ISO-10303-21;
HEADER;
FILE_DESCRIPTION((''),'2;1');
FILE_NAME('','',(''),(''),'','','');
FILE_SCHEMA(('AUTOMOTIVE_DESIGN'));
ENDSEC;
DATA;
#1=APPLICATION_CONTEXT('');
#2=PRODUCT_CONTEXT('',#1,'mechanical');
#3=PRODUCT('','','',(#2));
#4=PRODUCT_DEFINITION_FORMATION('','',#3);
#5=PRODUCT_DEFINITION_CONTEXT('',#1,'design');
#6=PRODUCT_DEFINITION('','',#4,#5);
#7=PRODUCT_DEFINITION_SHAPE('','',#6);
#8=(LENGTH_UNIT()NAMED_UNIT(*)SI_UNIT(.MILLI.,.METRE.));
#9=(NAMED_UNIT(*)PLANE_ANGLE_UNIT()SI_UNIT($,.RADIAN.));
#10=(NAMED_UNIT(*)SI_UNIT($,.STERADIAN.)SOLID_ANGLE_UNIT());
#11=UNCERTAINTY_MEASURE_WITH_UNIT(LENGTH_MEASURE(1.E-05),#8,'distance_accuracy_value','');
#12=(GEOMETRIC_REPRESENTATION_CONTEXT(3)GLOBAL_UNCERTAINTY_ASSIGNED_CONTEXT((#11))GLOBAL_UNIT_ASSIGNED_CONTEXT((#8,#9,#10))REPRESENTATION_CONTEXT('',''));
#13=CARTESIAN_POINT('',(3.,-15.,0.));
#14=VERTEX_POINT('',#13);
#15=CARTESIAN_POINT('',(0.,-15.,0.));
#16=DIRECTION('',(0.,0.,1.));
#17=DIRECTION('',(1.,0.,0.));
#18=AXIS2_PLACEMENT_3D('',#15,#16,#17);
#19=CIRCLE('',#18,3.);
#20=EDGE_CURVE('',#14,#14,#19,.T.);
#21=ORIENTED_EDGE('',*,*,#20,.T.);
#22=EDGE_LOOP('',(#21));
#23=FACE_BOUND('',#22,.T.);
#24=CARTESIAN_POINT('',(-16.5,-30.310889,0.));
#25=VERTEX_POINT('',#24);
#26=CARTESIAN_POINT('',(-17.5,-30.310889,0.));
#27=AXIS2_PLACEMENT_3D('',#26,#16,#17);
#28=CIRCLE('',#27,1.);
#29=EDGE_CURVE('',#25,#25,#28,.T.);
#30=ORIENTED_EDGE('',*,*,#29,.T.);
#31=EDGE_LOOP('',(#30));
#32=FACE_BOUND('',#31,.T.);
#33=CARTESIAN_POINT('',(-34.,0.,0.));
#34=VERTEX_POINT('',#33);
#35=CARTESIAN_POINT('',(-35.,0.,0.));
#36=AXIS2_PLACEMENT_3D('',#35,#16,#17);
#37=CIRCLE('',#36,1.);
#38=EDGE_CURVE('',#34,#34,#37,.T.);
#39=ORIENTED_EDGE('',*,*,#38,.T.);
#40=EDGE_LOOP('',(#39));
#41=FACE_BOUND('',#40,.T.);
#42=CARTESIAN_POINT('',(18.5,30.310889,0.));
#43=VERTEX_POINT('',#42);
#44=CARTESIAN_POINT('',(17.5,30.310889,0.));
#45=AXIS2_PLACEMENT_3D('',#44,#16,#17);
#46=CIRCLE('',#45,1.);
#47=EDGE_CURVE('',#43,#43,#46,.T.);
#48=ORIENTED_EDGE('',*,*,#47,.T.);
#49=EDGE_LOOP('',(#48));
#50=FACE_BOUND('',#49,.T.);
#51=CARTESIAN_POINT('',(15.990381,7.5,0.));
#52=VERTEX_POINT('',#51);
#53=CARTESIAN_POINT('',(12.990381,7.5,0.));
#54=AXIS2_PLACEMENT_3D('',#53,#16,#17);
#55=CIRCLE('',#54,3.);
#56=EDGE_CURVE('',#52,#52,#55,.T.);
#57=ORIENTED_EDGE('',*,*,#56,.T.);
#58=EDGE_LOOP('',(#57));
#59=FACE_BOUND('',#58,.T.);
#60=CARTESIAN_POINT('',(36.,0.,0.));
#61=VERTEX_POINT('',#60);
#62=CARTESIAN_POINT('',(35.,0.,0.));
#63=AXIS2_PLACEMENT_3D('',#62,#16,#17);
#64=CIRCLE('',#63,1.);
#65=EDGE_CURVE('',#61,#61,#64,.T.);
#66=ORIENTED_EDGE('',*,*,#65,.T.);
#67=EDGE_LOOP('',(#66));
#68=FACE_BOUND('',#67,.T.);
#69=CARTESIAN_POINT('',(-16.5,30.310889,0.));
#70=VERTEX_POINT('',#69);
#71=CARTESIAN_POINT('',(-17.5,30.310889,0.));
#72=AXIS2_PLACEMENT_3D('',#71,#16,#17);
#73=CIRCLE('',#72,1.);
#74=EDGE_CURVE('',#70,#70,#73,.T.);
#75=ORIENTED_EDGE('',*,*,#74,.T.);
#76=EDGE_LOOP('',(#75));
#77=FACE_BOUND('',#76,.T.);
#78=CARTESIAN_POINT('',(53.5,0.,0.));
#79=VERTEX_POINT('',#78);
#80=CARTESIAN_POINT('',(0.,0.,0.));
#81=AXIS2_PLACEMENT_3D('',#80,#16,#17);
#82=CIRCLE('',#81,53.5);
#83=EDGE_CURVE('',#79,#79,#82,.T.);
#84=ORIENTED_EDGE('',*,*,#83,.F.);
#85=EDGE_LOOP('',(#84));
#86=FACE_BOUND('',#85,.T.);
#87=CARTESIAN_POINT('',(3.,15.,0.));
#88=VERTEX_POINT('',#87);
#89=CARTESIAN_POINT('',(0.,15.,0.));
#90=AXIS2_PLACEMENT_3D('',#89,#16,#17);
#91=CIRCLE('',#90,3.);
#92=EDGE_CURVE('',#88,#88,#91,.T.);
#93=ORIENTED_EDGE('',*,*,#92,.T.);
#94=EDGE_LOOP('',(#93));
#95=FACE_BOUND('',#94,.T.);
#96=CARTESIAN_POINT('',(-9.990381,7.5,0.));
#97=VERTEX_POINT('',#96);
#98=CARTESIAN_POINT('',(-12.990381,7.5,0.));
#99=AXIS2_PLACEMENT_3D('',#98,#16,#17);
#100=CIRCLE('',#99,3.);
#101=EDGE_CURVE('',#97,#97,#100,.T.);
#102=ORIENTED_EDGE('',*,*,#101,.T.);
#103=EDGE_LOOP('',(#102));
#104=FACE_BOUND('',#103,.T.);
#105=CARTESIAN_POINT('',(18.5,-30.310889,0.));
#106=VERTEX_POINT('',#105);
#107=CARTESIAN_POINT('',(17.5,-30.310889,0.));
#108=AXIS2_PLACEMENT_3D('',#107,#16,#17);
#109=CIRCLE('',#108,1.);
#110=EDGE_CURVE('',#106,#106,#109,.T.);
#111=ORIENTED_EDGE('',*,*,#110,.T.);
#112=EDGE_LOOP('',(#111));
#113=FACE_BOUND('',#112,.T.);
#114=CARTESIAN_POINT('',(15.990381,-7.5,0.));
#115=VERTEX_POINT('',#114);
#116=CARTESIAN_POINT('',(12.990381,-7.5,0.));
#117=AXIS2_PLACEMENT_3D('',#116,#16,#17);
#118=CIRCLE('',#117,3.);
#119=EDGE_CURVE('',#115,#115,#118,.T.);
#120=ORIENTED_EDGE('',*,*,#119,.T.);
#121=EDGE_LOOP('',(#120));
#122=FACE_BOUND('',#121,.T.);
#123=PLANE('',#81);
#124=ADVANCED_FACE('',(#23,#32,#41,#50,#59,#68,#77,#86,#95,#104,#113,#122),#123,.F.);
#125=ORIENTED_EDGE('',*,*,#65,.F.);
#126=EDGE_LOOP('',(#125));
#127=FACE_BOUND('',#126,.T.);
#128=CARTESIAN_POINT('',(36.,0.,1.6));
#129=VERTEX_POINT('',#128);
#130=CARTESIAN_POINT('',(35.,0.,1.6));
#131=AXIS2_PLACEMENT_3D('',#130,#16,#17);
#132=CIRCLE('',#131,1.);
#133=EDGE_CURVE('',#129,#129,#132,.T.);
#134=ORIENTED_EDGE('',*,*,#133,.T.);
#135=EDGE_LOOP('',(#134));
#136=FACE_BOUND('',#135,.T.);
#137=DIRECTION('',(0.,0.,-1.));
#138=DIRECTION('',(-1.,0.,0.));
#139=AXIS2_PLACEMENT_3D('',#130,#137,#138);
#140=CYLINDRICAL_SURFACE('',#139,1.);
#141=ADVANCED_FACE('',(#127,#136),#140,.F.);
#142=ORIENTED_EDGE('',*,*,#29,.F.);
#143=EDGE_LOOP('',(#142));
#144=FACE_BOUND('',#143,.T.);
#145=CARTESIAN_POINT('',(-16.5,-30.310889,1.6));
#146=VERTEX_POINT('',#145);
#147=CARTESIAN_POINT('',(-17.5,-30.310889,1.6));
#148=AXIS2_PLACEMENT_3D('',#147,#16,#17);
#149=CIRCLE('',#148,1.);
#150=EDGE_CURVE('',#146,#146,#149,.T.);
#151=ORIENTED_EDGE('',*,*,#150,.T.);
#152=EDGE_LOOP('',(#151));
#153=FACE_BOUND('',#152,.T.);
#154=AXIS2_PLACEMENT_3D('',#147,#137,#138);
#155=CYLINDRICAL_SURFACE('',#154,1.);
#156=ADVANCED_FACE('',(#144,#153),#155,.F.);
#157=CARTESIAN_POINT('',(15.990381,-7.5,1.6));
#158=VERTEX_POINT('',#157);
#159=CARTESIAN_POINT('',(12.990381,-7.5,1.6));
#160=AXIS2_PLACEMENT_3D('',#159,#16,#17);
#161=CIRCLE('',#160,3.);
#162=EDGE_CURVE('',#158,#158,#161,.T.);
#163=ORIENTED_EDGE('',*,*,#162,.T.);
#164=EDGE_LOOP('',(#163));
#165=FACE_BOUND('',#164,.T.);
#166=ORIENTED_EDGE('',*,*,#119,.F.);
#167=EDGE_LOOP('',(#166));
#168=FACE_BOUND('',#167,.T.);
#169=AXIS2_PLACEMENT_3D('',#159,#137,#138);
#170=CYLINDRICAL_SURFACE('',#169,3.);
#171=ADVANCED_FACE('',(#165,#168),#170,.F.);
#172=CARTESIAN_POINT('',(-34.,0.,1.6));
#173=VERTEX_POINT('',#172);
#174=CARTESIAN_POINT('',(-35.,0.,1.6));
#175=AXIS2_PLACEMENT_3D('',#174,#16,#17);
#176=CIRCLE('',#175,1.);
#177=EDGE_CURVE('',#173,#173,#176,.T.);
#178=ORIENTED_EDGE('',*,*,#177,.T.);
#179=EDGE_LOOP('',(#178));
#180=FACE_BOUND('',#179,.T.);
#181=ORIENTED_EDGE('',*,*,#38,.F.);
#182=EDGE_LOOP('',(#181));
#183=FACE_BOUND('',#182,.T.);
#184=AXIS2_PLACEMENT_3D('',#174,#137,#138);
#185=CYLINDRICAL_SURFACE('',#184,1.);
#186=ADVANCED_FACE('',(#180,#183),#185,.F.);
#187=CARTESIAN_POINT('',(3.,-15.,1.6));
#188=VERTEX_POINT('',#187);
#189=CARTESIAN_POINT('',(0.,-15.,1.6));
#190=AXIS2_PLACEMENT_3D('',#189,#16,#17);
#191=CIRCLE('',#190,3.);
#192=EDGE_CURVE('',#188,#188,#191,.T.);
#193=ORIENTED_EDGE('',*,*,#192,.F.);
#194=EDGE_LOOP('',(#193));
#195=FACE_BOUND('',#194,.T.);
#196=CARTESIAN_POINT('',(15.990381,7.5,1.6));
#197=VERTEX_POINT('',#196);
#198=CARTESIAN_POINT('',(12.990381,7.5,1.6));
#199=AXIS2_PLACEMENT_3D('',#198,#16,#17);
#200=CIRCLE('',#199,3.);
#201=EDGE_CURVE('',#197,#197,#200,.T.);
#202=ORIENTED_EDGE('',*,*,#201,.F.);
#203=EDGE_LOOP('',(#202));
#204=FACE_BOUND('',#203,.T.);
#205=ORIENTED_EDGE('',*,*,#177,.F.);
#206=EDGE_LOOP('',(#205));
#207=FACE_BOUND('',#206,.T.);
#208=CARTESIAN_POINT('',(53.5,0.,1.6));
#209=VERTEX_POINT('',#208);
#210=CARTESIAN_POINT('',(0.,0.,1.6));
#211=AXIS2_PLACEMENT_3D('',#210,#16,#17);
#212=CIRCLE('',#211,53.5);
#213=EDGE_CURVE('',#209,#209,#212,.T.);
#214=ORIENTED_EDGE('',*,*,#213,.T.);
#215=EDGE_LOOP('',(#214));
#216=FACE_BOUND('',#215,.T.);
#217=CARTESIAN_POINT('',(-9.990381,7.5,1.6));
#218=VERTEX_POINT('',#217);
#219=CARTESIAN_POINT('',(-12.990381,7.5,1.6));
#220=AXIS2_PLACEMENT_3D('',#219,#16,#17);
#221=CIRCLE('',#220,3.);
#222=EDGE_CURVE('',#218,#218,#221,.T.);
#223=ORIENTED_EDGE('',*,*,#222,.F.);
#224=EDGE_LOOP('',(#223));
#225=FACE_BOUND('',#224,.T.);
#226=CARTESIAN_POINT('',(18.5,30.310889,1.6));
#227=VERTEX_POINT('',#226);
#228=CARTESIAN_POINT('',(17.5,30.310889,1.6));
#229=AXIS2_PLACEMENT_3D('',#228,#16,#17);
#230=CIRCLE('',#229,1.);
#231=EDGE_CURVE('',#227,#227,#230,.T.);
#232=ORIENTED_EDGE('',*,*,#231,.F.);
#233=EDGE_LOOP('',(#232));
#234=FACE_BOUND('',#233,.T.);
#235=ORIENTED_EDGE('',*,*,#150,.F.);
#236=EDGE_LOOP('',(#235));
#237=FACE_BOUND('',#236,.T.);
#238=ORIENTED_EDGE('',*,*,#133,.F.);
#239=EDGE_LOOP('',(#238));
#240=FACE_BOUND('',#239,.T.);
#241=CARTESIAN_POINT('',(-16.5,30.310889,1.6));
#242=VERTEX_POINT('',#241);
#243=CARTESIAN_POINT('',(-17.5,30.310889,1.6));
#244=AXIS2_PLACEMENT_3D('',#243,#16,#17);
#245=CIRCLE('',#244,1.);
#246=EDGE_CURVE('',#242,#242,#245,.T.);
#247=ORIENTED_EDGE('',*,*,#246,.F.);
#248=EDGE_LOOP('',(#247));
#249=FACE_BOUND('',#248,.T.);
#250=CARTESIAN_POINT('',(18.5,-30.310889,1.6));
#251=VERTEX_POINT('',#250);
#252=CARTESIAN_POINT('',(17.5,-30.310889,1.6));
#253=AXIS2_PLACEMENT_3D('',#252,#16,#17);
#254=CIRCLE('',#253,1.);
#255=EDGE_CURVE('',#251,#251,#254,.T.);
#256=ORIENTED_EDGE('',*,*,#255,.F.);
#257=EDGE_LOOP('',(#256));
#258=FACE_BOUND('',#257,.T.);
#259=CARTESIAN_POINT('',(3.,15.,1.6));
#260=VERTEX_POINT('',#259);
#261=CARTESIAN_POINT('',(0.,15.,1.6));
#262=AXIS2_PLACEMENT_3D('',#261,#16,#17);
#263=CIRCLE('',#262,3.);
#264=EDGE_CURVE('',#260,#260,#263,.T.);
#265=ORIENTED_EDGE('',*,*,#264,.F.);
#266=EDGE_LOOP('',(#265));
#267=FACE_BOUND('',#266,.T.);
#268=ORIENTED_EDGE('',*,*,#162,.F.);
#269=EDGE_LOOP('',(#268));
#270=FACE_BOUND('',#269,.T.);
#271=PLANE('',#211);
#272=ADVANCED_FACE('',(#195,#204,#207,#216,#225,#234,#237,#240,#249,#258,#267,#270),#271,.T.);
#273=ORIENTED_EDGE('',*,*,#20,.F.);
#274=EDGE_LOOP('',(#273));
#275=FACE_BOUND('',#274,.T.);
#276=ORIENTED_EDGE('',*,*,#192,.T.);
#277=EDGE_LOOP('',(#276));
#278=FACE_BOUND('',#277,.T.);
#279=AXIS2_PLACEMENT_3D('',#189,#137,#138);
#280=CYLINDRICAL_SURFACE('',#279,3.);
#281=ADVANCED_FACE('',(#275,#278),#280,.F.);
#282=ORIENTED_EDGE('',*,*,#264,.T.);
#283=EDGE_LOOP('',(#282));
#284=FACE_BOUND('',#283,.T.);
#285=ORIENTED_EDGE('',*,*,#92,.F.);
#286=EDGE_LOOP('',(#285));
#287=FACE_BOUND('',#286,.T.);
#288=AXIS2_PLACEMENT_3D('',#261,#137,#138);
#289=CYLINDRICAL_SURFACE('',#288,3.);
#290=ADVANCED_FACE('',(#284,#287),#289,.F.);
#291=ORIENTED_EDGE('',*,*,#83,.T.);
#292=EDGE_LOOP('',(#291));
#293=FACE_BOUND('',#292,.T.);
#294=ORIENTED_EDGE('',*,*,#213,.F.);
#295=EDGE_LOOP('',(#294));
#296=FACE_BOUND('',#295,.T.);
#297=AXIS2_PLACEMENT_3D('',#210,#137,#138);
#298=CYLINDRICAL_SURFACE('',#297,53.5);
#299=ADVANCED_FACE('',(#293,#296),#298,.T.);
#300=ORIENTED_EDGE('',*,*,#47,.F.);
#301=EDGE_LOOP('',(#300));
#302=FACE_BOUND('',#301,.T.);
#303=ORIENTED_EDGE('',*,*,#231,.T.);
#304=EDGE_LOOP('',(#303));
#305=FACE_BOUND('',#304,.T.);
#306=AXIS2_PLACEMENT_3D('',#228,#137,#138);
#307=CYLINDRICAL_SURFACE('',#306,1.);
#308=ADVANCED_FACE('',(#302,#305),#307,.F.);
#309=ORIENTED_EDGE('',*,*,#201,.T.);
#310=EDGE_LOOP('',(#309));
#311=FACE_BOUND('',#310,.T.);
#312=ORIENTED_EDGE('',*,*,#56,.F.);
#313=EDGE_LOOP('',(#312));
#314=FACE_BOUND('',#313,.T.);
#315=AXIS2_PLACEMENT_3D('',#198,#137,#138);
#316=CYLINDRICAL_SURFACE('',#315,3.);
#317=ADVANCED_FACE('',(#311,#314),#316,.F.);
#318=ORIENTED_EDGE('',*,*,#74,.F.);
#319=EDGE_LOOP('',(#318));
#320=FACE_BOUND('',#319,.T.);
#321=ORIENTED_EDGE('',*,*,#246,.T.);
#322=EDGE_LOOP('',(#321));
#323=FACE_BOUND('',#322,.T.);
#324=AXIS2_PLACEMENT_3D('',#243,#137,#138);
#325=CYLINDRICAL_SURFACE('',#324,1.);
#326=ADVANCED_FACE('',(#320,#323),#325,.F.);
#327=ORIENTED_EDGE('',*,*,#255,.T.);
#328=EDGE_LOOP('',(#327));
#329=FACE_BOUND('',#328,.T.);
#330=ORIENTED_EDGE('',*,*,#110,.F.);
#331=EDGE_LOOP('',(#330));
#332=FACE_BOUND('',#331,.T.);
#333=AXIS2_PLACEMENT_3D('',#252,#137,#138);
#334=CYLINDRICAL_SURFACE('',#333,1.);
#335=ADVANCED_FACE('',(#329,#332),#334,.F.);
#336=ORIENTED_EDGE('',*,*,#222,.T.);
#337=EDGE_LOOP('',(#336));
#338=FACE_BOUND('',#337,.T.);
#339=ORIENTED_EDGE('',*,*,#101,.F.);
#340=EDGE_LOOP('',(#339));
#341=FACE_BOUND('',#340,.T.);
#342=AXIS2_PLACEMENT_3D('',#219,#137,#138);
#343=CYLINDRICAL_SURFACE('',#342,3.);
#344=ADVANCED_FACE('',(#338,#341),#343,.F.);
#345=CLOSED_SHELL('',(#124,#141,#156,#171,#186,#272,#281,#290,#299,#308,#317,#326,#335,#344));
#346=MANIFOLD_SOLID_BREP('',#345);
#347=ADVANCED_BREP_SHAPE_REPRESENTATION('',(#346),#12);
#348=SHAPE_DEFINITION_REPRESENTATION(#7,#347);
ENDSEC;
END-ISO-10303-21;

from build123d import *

# Parameters (mm, degrees)
ESQUISSE1_R        = 53.5
ESQUISSE1_R_2      = 1
ESQUISSE1_R_3      = 3
BOSS_EXTRU_1_DEPTH = 1.6


with BuildPart() as part:
    # Esquisse1 → Boss.-Extru.1 (new body)
    with BuildSketch(Plane.XY):
        Circle(ESQUISSE1_R)
        with Locations((35, 0)):
            Circle(ESQUISSE1_R_2, mode=Mode.SUBTRACT)
        with Locations((17.5, -30.310889132)):
            Circle(ESQUISSE1_R_2, mode=Mode.SUBTRACT)
        with Locations((-17.5, -30.310889132)):
            Circle(ESQUISSE1_R_2, mode=Mode.SUBTRACT)
        with Locations((-35, 0)):
            Circle(ESQUISSE1_R_2, mode=Mode.SUBTRACT)
        with Locations((-17.5, 30.310889132)):
            Circle(ESQUISSE1_R_2, mode=Mode.SUBTRACT)
        with Locations((17.5, 30.310889132)):
            Circle(ESQUISSE1_R_2, mode=Mode.SUBTRACT)
        with Locations((0, -15)):
            Circle(ESQUISSE1_R_3, mode=Mode.SUBTRACT)
        with Locations((12.990381057, -7.5)):
            Circle(ESQUISSE1_R_3, mode=Mode.SUBTRACT)
        with Locations((12.990381057, 7.5)):
            Circle(ESQUISSE1_R_3, mode=Mode.SUBTRACT)
        with Locations((0, 15)):
            Circle(ESQUISSE1_R_3, mode=Mode.SUBTRACT)
        with Locations((-12.990381057, 7.5)):
            Circle(ESQUISSE1_R_3, mode=Mode.SUBTRACT)
    extrude(amount=BOSS_EXTRU_1_DEPTH)


solid = part.part
